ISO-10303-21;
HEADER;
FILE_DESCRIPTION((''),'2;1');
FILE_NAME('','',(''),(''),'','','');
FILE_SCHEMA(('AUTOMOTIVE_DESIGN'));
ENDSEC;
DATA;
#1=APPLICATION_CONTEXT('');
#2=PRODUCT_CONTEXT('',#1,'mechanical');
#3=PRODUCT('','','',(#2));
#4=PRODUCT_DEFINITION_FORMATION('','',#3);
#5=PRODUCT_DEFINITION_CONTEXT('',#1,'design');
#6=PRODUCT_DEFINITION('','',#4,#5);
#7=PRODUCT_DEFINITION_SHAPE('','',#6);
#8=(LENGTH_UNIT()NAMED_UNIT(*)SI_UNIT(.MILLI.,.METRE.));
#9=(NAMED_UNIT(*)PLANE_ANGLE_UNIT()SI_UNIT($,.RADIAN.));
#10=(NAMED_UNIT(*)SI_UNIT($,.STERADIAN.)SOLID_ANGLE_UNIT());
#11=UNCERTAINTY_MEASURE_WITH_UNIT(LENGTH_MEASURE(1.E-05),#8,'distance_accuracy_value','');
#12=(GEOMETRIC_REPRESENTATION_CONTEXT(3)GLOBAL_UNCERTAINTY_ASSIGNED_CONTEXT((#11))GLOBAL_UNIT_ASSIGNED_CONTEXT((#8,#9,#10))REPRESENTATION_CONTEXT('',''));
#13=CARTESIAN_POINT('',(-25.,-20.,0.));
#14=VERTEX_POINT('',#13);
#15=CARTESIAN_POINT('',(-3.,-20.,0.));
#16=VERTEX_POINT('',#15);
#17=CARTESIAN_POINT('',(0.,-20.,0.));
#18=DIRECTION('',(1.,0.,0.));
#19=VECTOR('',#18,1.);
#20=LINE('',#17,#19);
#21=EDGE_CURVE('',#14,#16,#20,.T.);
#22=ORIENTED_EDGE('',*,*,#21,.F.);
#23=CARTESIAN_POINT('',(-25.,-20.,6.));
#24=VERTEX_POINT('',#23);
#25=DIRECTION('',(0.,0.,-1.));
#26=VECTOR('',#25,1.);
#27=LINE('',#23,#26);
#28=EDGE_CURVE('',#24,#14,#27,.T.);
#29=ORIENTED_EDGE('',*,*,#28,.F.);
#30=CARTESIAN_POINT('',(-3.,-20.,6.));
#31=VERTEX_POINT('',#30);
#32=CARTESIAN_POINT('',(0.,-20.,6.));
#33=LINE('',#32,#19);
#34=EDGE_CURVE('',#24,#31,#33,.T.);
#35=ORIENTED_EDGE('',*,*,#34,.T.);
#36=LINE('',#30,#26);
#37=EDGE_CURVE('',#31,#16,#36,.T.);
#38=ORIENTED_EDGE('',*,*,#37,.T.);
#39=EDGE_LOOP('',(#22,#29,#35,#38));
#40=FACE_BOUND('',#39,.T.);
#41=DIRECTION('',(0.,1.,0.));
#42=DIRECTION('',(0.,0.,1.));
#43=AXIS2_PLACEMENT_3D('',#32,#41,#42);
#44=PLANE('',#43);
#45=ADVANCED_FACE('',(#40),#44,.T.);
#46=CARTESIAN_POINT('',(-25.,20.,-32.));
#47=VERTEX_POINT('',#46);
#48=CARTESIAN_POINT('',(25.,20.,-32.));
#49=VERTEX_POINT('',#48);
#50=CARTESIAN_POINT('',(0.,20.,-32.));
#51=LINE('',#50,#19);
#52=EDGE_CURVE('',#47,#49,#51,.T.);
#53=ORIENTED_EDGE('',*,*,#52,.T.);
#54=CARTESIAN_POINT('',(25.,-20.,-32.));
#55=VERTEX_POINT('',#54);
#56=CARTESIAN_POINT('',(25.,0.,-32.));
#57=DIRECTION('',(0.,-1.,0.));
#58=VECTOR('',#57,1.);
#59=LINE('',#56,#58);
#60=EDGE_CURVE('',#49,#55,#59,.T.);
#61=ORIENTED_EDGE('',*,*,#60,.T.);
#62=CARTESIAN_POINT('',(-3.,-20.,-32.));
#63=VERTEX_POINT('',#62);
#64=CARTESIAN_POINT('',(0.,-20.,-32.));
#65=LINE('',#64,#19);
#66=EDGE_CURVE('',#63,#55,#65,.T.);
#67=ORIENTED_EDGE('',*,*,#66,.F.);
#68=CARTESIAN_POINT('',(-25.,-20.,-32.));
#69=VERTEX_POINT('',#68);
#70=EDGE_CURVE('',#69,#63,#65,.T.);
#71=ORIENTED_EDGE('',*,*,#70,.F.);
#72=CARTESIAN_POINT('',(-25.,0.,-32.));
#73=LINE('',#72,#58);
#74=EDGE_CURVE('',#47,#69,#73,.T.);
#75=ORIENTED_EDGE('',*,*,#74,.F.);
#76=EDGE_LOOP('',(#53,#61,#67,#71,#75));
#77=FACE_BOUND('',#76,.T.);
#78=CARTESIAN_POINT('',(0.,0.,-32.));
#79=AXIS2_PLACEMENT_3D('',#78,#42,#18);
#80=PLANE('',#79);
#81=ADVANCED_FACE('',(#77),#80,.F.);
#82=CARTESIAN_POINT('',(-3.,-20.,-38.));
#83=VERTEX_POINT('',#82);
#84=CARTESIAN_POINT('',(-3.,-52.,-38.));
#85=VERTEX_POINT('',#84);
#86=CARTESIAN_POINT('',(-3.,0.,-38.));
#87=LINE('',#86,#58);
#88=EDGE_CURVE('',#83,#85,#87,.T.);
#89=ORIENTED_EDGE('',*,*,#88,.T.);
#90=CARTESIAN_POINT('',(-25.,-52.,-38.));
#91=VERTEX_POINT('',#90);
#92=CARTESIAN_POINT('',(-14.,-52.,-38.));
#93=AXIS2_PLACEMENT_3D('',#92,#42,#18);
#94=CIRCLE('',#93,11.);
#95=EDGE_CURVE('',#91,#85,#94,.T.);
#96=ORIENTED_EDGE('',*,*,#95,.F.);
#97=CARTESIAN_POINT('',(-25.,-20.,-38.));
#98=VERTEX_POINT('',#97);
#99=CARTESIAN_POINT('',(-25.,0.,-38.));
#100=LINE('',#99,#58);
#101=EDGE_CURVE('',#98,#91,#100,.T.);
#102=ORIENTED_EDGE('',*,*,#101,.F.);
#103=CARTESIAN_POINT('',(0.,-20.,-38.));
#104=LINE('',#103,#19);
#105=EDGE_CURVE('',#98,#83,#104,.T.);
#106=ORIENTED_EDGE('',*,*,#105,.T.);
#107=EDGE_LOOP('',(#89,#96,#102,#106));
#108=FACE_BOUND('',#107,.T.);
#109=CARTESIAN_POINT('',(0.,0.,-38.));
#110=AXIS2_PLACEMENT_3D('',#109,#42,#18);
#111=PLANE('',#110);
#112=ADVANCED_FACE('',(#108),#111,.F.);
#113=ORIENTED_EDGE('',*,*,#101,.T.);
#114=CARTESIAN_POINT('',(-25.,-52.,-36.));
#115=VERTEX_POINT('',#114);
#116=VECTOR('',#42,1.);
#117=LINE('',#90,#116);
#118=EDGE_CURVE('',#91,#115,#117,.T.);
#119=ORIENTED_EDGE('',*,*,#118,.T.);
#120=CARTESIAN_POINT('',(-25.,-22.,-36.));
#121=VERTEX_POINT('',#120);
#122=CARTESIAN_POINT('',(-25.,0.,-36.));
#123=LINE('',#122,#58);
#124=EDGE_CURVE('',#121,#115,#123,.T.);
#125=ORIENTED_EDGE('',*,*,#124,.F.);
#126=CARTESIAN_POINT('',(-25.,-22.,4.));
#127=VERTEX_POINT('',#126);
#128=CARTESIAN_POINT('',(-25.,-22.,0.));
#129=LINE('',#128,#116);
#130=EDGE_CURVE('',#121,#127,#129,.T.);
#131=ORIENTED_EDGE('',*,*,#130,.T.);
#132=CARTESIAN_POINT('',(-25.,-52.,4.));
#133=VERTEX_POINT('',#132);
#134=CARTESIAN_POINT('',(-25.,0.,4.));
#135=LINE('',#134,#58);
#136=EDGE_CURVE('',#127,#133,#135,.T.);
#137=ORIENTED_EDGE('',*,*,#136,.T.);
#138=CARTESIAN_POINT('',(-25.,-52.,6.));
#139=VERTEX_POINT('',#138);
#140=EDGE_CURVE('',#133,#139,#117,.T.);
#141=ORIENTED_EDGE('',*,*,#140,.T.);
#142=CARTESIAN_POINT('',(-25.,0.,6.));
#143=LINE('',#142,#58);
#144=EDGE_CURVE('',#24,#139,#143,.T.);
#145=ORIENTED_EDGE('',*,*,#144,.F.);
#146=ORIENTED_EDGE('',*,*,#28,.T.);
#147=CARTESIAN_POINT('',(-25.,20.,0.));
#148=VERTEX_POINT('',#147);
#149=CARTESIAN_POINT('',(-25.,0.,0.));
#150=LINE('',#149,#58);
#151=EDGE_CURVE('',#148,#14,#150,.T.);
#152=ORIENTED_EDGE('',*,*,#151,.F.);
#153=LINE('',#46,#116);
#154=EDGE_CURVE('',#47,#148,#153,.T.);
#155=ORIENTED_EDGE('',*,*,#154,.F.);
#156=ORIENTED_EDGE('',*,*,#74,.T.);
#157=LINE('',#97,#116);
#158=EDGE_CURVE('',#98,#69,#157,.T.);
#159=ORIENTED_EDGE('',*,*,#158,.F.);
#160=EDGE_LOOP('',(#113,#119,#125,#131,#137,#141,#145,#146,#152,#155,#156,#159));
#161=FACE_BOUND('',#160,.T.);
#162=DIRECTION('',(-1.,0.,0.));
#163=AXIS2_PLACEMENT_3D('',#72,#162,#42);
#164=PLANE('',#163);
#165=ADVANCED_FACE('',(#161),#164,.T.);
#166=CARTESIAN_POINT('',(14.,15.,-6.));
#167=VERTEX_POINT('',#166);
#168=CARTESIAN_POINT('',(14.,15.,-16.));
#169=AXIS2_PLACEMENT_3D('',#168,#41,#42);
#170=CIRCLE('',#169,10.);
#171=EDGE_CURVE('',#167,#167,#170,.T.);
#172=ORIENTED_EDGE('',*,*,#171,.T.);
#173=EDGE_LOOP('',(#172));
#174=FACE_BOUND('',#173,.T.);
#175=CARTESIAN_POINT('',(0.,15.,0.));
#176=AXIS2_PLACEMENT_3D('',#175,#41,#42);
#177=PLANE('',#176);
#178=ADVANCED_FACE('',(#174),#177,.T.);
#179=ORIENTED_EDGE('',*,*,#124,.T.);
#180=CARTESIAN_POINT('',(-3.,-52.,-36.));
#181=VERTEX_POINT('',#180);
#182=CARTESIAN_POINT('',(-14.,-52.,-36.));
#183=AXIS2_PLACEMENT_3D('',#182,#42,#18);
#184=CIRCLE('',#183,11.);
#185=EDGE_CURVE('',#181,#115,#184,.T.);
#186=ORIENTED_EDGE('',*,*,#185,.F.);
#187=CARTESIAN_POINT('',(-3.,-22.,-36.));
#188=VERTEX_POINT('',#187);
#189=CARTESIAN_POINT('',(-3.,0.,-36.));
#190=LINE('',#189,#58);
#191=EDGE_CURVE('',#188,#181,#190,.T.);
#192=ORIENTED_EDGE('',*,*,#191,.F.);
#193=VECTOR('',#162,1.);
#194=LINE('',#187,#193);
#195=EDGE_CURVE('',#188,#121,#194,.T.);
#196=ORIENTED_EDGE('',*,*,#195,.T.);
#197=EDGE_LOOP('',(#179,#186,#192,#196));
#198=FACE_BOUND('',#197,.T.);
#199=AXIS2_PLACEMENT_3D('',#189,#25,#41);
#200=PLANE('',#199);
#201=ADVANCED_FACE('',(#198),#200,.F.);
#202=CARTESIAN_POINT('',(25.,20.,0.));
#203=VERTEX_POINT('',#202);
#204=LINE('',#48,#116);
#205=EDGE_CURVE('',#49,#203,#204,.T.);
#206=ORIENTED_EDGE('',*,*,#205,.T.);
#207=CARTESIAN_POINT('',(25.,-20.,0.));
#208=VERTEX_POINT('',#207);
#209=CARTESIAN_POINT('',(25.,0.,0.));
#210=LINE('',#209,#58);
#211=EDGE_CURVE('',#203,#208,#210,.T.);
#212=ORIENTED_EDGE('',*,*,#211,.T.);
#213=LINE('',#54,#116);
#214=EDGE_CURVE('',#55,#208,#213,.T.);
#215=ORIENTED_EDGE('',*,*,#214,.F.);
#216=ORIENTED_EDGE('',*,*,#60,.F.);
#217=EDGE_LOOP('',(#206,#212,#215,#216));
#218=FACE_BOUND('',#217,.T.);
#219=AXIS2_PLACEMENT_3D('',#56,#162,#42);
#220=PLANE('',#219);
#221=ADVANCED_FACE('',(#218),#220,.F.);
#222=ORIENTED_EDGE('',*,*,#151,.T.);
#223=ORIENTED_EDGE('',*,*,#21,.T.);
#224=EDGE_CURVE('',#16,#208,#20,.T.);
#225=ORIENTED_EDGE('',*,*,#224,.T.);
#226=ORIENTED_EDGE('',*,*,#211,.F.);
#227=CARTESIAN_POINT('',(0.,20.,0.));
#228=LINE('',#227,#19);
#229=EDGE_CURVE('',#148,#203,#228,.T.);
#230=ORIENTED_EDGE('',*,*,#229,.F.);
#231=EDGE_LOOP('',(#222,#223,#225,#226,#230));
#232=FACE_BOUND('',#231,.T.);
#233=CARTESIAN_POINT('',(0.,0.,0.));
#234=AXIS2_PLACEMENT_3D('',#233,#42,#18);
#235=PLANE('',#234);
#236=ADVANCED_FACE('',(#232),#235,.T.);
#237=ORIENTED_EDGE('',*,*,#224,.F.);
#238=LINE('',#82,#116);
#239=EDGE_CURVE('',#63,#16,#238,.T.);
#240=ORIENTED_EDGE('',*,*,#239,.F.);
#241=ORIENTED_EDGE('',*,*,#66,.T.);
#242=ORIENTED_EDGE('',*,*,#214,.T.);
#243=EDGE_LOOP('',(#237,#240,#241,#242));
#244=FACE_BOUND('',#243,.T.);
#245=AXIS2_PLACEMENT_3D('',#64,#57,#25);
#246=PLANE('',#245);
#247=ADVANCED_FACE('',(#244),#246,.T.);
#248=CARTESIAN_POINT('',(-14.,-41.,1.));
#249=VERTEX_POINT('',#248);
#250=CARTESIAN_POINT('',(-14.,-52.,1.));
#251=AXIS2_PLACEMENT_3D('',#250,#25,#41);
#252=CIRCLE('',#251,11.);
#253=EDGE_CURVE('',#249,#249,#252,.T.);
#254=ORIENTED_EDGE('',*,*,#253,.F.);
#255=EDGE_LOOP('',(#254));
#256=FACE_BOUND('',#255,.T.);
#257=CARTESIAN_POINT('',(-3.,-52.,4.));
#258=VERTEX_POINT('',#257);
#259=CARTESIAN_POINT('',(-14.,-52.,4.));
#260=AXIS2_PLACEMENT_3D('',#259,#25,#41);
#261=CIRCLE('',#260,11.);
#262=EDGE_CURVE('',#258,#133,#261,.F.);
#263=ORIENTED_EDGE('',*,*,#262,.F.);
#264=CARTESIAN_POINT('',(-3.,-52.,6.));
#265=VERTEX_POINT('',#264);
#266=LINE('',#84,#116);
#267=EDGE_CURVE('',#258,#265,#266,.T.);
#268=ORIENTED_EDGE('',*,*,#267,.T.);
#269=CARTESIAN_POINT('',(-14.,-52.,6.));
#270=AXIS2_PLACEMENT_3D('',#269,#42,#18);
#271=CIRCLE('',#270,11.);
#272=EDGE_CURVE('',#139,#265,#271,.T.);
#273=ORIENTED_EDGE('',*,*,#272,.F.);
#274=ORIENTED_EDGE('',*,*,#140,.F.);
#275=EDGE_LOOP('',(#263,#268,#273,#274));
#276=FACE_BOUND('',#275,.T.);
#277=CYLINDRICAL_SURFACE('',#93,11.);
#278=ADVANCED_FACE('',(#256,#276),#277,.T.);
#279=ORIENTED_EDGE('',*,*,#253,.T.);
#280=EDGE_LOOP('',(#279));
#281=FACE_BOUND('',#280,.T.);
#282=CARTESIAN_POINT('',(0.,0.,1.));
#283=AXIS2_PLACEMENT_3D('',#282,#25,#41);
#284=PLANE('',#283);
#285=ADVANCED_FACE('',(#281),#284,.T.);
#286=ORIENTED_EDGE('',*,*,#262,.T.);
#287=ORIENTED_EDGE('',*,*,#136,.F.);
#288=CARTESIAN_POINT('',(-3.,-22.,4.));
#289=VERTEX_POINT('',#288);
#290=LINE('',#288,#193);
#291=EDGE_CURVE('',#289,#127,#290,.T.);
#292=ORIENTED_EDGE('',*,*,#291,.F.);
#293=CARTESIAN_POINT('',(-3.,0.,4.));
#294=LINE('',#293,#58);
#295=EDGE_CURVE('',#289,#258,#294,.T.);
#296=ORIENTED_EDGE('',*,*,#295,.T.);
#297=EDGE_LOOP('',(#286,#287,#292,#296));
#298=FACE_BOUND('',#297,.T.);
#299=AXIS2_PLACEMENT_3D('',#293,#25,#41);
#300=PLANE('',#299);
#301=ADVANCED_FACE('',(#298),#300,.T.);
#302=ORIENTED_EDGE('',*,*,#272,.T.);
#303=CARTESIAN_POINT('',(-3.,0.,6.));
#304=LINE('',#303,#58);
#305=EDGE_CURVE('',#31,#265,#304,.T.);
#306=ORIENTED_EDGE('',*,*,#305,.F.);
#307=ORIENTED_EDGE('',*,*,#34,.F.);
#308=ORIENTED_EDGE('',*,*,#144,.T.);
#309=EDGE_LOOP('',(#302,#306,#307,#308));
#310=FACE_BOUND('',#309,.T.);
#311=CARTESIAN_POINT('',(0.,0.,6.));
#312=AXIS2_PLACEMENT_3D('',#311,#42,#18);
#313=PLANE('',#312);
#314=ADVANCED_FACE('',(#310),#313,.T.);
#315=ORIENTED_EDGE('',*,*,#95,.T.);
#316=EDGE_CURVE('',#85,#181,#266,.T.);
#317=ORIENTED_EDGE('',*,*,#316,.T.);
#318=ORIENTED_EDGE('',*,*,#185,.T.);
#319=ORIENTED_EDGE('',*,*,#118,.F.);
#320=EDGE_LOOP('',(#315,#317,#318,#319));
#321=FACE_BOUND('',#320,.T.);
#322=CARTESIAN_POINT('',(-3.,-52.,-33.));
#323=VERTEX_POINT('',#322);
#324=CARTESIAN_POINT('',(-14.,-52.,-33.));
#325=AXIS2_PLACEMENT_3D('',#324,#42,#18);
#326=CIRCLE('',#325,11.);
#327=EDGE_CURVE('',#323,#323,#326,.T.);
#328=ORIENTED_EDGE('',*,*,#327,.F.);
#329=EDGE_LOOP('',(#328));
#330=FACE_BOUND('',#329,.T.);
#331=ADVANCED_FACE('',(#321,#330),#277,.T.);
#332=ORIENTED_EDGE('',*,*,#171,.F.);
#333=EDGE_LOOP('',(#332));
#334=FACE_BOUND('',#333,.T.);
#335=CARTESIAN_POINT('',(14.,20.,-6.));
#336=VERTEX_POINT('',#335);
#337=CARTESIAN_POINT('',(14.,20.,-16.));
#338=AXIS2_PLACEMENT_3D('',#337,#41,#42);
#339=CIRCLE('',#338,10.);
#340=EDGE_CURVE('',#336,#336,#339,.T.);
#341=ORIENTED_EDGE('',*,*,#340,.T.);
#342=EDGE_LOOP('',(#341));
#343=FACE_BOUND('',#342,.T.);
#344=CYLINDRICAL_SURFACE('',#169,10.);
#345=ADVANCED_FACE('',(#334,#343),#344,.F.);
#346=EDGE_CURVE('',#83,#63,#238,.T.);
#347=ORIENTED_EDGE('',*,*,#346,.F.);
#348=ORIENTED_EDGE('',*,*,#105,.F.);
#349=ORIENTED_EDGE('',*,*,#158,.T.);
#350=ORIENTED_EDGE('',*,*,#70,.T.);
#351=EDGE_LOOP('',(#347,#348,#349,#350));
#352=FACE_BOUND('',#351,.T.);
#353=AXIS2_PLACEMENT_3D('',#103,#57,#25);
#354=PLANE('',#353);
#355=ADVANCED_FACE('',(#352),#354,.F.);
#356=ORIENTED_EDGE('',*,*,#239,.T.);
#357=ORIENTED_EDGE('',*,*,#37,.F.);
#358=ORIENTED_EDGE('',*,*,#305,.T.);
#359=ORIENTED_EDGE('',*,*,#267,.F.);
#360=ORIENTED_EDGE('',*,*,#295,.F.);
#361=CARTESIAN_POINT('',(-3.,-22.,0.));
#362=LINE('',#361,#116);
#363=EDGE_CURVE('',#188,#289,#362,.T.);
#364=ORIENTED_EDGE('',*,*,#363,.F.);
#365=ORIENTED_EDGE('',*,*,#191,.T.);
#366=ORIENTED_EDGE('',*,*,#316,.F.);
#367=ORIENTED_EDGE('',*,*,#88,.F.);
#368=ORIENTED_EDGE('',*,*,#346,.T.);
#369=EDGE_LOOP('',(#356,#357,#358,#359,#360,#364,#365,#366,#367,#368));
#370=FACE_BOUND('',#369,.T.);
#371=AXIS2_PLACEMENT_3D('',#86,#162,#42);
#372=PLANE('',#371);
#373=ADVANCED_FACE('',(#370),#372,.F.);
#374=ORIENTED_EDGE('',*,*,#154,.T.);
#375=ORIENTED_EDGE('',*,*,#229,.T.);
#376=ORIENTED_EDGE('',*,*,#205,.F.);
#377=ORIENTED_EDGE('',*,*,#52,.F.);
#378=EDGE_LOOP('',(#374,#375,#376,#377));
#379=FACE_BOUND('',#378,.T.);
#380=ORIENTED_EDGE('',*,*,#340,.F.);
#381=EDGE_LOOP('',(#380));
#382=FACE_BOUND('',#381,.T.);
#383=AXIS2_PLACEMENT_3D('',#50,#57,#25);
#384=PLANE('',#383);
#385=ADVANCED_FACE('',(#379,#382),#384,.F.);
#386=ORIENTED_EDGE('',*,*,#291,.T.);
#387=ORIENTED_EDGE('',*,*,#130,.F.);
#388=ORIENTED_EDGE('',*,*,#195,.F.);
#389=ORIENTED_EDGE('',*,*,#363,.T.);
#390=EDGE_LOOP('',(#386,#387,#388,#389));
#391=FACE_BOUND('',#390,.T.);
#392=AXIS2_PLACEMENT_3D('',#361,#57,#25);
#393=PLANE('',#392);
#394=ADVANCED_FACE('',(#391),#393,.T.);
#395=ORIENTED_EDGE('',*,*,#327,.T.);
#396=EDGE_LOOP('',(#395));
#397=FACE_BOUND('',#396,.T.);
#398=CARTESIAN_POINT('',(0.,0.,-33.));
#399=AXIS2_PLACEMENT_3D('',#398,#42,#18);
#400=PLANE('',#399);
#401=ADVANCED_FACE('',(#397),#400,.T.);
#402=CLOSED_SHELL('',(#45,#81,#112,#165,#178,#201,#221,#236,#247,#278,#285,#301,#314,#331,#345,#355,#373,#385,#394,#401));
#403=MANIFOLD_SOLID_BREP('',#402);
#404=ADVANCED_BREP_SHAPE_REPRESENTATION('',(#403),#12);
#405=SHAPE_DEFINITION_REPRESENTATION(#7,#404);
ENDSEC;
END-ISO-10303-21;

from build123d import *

# Parameters (mm, degrees)
BOSS_EXTRUDE1_DEPTH = 32
BOSS_EXTRUDE2_DEPTH = 38
BOSS_EXTRUDE3_START = 6
BOSS_EXTRUDE3_DEPTH = 6
SKETCH2_W           = 40
SKETCH2_H           = 41
CUT_EXTRUDE1_DEPTH  = 22
SKETCH3_R           = 11
BOSS_EXTRUDE5_DEPTH = 3
BOSS_EXTRUDE6_START = 3
SKETCH4_R           = 11
BOSS_EXTRUDE6_DEPTH = 3
SKETCH13_R          = 10
CUT_EXTRUDE2_DEPTH  = 5


with BuildPart() as part:
    # Sketch1 → Boss-Extrude1 (new body)
    with BuildSketch(Plane.XY):
        Polygon((25, 20), (-25, 20), (-25, -20), (-3, -20), (25, -20), align=None)
    extrude(amount=-BOSS_EXTRUDE1_DEPTH)

    # Sketch1<3> → Boss-Extrude2 (add)
    with BuildSketch(Plane.XY):
        with BuildLine():
            Line((-3, -20), (-25, -20))
            Line((-25, -20), (-25, -52))
            ThreePointArc((-25, -52), (-14, -63), (-3, -52))
            Line((-3, -52), (-3, -20))
        make_face()
    extrude(amount=-BOSS_EXTRUDE2_DEPTH)

    # Sketch1<4> → Boss-Extrude3 (add)
    with BuildSketch(Plane.XY.offset(BOSS_EXTRUDE3_START)):
        with BuildLine():
            Line((-3, -20), (-25, -20))
            Line((-25, -20), (-25, -52))
            ThreePointArc((-25, -52), (-14, -63), (-3, -52))
            Line((-3, -52), (-3, -20))
        make_face()
    extrude(amount=-BOSS_EXTRUDE3_DEPTH)

    # Sketch2 → Cut-Extrude1 (cut)
    with BuildSketch(Plane.ZY.offset(25)):
        with Locations((-16, -42.5)):
            Rectangle(SKETCH2_W, SKETCH2_H)
    extrude(amount=-CUT_EXTRUDE1_DEPTH, mode=Mode.SUBTRACT)

    # Sketch3 → Boss-Extrude5 (add)
    with BuildSketch(Plane(origin=(0, 0, 4), x_dir=(-1, 0, 0), z_dir=(0, 0, -1))):
        with Locations((14, -52)):
            Circle(SKETCH3_R)
    extrude(amount=BOSS_EXTRUDE5_DEPTH)

    # Sketch4 → Boss-Extrude6 (add)
    with BuildSketch(Plane.XY.offset(-36).offset(BOSS_EXTRUDE6_START)):
        with Locations((-14, -52)):
            Circle(SKETCH4_R)
    extrude(amount=-BOSS_EXTRUDE6_DEPTH)

    # Sketch13 → Cut-Extrude2 (cut)
    with BuildSketch(Plane(origin=(0, 20, 0), x_dir=(1, 0, 0), z_dir=(0, 1, 0))):
        with Locations((14, 16)):
            Circle(SKETCH13_R)
    extrude(amount=-CUT_EXTRUDE2_DEPTH, mode=Mode.SUBTRACT)


solid = part.part
